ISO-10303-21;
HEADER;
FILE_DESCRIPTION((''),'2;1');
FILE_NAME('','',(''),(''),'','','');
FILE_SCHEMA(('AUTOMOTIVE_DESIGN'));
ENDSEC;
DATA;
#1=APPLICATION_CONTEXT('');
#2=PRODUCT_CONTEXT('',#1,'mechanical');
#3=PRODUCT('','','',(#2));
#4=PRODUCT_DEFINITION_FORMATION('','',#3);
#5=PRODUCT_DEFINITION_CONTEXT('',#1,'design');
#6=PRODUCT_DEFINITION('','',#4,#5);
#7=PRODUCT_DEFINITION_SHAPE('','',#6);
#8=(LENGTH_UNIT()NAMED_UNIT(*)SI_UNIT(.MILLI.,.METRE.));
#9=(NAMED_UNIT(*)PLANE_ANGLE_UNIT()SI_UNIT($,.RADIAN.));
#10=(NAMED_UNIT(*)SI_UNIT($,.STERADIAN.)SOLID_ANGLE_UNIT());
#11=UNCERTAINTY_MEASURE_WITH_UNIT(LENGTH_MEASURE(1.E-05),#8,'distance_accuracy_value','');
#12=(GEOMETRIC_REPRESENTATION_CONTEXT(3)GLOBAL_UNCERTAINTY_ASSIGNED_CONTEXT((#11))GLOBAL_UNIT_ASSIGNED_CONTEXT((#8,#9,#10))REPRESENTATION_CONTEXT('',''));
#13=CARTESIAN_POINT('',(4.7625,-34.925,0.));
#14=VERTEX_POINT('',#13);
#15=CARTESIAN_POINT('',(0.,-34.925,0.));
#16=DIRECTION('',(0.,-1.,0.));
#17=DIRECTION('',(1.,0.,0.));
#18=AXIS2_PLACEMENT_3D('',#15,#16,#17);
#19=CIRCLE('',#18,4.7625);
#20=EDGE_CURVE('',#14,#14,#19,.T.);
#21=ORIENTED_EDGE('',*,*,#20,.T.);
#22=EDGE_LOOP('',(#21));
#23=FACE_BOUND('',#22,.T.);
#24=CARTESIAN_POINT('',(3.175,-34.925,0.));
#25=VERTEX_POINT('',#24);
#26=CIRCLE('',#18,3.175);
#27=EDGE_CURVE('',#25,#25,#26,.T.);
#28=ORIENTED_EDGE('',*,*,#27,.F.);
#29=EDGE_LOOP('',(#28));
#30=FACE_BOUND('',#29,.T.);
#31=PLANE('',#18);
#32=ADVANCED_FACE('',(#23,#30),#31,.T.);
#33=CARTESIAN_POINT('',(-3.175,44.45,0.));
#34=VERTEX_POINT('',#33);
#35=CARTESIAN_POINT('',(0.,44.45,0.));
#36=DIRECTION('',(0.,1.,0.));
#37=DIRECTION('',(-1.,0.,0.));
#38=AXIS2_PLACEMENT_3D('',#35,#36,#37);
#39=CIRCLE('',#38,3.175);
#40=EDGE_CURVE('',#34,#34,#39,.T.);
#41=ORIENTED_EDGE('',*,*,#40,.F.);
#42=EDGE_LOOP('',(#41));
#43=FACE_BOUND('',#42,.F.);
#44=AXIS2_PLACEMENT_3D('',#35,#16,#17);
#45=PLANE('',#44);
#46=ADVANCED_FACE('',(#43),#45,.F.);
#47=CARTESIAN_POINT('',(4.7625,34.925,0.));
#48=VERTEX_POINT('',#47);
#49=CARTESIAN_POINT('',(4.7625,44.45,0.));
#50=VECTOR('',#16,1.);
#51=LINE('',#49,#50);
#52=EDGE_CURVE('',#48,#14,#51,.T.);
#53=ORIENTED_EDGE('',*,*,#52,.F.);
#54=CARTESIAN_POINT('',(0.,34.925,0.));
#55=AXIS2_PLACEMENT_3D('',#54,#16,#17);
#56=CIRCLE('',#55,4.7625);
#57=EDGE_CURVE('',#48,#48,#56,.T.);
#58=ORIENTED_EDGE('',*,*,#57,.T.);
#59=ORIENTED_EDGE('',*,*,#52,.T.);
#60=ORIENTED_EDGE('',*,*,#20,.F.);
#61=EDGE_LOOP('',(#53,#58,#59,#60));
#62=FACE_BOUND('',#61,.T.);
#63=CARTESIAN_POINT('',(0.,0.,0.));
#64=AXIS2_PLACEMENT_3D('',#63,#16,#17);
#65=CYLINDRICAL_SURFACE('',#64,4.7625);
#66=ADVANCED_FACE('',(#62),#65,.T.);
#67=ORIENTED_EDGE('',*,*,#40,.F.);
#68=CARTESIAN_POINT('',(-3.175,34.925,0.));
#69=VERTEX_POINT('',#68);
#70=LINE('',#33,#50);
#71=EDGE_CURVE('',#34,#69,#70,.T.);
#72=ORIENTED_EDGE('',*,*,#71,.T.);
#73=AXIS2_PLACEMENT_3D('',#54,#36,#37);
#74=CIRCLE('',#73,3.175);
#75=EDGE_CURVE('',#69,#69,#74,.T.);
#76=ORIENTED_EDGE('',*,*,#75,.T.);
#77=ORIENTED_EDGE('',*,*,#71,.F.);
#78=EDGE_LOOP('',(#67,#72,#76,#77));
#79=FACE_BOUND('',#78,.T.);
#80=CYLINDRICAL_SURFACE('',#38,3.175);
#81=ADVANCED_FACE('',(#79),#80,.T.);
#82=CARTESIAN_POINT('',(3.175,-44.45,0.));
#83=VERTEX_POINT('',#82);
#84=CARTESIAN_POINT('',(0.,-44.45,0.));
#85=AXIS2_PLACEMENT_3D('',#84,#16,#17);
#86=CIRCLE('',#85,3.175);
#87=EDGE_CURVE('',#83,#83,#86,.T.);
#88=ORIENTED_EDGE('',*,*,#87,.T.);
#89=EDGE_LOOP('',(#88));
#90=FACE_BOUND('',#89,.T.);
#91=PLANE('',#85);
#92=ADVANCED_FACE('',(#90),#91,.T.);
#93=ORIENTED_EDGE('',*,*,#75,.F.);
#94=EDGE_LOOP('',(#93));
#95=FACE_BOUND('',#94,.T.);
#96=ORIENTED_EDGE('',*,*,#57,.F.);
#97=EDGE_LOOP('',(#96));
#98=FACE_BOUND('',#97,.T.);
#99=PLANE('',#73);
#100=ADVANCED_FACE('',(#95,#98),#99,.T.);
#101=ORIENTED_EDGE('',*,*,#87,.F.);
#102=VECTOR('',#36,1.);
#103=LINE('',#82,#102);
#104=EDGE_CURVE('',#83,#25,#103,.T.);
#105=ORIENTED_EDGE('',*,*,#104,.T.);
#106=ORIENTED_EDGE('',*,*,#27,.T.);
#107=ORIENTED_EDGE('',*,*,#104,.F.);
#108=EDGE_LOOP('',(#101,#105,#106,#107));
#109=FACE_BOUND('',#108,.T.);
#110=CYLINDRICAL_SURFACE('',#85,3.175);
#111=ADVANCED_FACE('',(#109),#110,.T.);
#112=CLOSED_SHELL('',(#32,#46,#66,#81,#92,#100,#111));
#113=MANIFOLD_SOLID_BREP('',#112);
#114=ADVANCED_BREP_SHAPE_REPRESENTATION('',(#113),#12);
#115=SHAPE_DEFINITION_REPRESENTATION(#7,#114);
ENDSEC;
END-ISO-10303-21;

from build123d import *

# Parameters (mm, degrees)
F0_R     = 4.7625
F1_DEPTH = 44.45
F2_R     = 6.35
F2_R_2   = 3.175
F3_DEPTH = 9.525
F4_R     = 6.35
F4_R_2   = 3.175
F5_DEPTH = 9.525


with BuildPart() as f1:
    # F0 (on Front) → F1 (new body, symmetric)
    with BuildSketch(Plane.XZ):
        Circle(F0_R)
    extrude(amount=F1_DEPTH, both=True)

    # F2 (on face) → F3 (cut)
    with BuildSketch(Plane.XZ.offset(44.45)):
        Circle(F2_R)
        Circle(F2_R_2, mode=Mode.SUBTRACT)
    extrude(amount=-F3_DEPTH, mode=Mode.SUBTRACT)

    # F4 (on face) → F5 (cut)
    with BuildSketch(Plane(origin=(0, 44.45, 0), x_dir=(-1, 0, 0), z_dir=(0, 1, 0))):
        Circle(F4_R)
        Circle(F4_R_2, mode=Mode.SUBTRACT)
    extrude(amount=-F5_DEPTH, mode=Mode.SUBTRACT)


solid = f1.part
